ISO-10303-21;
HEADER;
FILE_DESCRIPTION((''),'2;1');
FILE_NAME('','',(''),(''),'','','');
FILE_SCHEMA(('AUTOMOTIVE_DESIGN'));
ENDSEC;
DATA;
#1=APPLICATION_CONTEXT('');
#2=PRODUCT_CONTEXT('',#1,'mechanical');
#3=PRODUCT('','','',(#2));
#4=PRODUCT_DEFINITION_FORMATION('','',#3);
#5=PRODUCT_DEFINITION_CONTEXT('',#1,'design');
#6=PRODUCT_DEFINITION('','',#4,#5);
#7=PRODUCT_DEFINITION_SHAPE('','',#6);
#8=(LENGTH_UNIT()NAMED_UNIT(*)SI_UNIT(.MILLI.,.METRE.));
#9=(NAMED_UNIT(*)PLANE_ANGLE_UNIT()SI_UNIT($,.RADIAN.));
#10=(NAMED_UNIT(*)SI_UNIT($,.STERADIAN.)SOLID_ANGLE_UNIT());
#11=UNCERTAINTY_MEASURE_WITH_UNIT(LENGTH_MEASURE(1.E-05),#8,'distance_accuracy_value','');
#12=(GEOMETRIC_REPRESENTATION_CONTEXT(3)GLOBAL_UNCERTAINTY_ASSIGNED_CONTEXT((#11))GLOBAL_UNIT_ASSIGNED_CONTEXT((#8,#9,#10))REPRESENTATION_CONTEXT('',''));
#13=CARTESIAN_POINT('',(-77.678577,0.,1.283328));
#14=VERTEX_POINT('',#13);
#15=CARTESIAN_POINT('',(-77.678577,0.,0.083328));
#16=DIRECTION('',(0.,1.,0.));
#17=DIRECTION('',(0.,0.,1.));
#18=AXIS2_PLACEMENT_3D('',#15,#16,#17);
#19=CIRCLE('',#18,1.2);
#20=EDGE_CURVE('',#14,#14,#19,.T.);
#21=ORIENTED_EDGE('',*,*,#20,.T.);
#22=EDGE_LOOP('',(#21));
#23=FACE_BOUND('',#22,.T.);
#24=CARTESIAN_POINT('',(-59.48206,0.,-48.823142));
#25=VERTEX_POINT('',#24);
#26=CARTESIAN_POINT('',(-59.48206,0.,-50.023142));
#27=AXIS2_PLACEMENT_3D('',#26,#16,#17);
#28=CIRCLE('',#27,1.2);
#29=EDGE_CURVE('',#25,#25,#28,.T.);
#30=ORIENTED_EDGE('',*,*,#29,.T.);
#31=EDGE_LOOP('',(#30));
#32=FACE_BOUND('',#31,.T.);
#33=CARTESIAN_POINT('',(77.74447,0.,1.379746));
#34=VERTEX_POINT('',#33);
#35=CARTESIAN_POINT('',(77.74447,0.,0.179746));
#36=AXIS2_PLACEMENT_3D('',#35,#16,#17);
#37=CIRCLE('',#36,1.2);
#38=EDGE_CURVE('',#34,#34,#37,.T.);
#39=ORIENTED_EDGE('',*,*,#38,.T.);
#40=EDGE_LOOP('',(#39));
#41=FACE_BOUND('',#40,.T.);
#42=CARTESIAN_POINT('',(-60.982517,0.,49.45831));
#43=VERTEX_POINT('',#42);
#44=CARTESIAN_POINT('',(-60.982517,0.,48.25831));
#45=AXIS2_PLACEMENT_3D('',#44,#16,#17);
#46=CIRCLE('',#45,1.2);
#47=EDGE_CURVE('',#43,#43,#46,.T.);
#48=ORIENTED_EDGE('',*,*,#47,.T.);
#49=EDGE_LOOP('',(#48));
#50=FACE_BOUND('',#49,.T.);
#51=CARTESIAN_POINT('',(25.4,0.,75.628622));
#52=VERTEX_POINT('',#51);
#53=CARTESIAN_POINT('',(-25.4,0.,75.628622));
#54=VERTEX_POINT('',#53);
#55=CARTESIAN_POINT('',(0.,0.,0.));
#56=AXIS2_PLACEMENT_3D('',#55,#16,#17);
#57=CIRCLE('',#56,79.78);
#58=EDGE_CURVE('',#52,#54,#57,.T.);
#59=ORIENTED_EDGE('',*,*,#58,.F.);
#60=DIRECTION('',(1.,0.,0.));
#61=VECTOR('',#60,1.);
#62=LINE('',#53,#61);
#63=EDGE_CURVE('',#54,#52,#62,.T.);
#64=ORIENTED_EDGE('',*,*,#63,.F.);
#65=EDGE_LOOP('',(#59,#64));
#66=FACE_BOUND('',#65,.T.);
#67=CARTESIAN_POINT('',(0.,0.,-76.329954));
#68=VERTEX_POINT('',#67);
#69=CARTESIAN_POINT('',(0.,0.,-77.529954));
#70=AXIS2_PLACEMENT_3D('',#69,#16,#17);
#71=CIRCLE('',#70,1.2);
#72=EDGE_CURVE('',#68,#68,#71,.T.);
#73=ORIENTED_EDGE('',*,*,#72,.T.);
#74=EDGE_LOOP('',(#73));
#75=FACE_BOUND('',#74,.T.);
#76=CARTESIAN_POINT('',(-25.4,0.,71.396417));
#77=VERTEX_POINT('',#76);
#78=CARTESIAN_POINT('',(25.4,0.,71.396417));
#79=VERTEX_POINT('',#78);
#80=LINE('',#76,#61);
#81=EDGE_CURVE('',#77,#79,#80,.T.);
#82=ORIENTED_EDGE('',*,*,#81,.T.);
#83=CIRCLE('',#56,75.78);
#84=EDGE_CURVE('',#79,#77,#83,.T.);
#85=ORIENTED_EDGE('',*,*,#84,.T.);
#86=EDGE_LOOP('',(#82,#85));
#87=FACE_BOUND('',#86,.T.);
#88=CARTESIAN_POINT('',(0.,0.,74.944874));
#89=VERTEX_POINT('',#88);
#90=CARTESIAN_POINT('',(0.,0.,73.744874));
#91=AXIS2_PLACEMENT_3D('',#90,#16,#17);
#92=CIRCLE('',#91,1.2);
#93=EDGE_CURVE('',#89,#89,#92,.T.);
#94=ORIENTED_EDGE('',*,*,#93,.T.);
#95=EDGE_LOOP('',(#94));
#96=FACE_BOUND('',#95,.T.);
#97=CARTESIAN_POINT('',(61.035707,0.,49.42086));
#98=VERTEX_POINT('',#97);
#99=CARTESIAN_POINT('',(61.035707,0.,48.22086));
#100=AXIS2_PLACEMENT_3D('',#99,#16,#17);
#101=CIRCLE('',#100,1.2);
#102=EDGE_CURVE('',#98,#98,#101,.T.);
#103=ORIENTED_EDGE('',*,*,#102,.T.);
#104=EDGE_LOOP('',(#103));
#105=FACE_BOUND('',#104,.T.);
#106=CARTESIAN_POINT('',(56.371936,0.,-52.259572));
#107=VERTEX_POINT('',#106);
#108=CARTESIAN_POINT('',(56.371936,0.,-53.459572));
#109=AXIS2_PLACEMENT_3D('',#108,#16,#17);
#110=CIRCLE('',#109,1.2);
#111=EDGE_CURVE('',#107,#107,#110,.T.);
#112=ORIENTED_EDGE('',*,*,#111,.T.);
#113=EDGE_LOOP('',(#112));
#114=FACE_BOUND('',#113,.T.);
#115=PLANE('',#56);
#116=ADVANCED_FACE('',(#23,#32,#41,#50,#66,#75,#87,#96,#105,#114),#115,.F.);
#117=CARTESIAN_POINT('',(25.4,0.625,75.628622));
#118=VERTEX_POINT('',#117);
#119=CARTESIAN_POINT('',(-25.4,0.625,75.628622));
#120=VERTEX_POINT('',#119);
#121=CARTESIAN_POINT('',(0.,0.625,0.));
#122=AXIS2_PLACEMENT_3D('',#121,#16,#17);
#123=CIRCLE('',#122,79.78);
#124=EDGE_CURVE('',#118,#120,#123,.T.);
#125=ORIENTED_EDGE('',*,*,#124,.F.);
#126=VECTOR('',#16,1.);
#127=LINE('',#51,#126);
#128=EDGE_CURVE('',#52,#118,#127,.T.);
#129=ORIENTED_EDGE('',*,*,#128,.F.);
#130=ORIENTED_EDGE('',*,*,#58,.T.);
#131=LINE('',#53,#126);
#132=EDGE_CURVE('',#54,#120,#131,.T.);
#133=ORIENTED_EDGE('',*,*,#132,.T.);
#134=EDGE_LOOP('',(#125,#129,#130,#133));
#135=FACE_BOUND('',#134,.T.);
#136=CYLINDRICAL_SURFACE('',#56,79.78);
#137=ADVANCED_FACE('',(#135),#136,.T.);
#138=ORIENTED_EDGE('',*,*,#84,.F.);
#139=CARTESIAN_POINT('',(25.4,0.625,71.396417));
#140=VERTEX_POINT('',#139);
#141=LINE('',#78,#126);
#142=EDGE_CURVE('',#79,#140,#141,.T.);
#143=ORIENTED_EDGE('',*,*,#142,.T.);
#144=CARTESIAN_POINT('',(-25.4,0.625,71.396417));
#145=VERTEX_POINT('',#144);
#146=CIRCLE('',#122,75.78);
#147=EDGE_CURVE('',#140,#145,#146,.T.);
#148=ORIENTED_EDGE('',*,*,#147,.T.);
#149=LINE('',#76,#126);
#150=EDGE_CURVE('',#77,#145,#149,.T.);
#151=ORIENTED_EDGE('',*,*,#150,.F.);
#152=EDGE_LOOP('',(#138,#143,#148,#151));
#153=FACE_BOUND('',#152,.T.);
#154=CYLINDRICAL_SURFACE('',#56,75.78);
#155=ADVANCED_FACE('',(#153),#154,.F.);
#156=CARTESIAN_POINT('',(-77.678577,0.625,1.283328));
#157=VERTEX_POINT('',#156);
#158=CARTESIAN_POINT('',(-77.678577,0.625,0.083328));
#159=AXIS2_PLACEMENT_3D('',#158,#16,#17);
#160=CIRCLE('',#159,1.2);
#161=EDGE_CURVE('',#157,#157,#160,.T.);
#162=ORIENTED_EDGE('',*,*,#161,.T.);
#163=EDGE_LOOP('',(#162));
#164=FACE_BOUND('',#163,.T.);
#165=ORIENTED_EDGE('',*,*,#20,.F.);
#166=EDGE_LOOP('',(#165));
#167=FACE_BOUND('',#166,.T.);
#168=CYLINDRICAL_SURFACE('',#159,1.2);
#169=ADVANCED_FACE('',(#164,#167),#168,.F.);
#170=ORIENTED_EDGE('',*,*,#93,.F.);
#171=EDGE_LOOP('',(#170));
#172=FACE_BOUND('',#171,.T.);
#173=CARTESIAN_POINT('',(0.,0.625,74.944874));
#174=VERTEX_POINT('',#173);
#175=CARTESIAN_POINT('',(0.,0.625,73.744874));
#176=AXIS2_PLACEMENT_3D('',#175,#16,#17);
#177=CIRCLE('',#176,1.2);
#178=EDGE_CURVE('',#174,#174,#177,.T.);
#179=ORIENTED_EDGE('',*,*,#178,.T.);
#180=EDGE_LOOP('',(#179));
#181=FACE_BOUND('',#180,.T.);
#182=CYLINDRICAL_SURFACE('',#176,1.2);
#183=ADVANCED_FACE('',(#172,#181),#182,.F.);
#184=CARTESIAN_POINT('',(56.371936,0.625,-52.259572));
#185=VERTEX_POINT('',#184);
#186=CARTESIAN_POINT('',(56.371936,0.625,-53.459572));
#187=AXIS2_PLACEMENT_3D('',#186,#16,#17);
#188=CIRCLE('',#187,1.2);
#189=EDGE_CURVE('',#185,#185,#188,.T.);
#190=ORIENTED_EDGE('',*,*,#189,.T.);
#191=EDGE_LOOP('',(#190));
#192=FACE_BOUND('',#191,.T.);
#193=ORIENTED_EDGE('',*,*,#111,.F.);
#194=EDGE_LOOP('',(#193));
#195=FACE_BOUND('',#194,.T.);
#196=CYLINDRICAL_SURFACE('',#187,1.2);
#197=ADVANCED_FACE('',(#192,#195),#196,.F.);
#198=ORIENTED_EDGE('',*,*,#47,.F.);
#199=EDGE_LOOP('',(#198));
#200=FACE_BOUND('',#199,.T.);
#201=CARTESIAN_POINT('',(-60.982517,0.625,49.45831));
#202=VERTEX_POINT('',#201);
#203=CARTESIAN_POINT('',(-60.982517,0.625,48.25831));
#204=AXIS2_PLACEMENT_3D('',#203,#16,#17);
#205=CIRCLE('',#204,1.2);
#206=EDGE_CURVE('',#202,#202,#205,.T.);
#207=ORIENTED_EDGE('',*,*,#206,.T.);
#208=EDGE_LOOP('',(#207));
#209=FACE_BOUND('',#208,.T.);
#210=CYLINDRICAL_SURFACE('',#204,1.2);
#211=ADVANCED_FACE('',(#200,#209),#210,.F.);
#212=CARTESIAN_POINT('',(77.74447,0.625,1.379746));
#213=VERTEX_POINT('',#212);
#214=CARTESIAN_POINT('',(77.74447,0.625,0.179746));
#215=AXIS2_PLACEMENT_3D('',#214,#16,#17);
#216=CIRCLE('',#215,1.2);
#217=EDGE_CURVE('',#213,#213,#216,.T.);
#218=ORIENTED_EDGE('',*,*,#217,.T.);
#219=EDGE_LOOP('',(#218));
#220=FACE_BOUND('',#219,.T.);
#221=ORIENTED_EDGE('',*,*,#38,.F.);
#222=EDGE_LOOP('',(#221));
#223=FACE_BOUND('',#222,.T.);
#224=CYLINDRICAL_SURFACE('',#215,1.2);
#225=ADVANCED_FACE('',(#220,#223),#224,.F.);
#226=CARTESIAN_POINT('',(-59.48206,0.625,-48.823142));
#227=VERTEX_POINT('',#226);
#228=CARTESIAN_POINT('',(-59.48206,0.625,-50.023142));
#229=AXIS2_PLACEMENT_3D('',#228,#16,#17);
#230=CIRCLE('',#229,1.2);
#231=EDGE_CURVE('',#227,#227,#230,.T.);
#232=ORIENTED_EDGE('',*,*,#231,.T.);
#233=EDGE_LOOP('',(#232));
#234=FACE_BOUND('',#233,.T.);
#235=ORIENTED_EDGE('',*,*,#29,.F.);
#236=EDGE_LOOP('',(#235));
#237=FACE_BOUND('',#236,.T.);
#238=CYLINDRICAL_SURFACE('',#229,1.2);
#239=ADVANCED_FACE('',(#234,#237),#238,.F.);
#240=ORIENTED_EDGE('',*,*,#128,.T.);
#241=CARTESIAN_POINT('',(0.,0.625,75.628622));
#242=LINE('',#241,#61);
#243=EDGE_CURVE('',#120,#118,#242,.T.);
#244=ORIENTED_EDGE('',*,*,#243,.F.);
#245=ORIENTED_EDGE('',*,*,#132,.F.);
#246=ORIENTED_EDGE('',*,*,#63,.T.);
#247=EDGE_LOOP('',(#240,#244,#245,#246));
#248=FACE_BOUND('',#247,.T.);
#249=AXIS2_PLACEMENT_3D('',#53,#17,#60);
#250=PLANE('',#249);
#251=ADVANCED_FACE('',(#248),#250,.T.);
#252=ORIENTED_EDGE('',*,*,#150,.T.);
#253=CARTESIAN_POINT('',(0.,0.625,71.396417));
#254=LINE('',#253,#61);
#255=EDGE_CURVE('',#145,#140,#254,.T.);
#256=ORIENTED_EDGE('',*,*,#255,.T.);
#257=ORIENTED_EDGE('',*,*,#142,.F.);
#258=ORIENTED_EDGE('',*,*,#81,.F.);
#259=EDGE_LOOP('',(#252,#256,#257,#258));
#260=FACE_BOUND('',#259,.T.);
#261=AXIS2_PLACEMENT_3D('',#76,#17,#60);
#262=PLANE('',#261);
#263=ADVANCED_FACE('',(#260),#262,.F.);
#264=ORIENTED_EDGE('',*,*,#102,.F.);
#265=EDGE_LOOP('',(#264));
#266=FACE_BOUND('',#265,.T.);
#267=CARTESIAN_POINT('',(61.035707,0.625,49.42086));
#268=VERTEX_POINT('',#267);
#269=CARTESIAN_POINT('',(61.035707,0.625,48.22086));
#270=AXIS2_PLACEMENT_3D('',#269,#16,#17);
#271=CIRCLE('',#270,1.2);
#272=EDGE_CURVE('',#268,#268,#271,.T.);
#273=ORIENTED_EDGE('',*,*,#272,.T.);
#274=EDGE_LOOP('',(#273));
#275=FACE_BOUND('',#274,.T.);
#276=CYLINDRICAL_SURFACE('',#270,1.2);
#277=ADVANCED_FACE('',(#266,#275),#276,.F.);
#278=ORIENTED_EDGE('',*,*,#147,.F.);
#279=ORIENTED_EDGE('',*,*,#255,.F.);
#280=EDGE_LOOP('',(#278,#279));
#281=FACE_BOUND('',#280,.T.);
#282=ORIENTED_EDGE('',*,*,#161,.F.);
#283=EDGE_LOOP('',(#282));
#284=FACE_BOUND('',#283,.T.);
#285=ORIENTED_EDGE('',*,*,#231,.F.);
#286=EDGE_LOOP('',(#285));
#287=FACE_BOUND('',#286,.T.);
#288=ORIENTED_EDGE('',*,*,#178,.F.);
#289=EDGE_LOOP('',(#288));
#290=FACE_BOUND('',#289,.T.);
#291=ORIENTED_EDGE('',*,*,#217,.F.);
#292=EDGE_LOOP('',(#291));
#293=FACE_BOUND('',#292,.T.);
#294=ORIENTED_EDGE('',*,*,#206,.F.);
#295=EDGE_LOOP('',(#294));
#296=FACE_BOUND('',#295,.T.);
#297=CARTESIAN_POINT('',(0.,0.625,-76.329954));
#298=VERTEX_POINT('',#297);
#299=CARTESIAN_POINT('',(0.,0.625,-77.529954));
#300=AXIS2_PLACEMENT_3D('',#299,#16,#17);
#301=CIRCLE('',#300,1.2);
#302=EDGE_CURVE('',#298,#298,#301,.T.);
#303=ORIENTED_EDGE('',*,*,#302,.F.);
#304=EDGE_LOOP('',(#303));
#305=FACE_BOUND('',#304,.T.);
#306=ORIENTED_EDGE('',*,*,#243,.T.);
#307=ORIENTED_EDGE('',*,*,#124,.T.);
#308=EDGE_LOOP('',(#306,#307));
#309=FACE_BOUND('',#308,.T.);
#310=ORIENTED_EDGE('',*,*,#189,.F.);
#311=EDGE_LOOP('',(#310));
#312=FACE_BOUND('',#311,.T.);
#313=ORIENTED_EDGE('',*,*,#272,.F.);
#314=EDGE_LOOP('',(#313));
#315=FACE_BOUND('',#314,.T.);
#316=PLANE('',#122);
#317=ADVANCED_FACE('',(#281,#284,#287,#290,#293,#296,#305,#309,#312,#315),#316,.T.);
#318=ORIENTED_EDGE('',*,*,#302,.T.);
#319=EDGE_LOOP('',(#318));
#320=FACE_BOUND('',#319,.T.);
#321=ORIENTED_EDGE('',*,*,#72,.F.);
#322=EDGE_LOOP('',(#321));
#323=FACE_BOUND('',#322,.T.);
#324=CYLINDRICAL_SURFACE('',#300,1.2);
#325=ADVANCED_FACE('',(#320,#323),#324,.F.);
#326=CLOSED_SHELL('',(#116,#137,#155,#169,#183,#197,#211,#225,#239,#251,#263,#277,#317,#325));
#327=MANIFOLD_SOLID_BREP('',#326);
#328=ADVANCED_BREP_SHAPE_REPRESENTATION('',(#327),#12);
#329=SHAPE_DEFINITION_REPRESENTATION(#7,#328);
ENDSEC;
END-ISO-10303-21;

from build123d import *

# Parameters (mm, degrees)
THICKEN1_T1          = 0.625
M2_CLEARANCE_HOLE1_D = 2.4


with BuildPart() as body_1:
    # Sketch1 → Surface-Fill1: a flat surface bounded by the sketch
    with BuildSketch(Plane(origin=(0, 0, 0), x_dir=(1, 0, 0), z_dir=(0, 1, 0)), mode=Mode.PRIVATE) as surface_fill1_1_region:
        with BuildLine():
            Line((-25.4, -75.628621566), (25.4, -75.628621566))
            ThreePointArc((25.4, -75.628621566), (0, 79.78), (-25.4, -75.628621566))
        make_face()
        with BuildLine():
            Line((-25.4, -71.396417277), (25.4, -71.396417277))
            ThreePointArc((25.4, -71.396417277), (0, 75.78), (-25.4, -71.396417277))
        make_face(mode=Mode.SUBTRACT)
    surface_fill1_1 = surface_fill1_1_region.sketch.faces()[0]
    add(Solid.thicken(surface_fill1_1, THICKEN1_T1))

    # M2 Clearance Hole1 (through all)
    with Locations(Plane(origin=(0, 0.625, 0), x_dir=(1, 0, 0), z_dir=(0, 1, 0))):
        with Locations((0, 77.529954233), (0, -73.744874158), (77.744469628, -0.179745534), (-77.678576515, -0.083327834), (56.371935899, 53.45957237), (-59.482060021, 50.023142165), (61.035706748, -48.220860015), (-60.982517002, -48.258309848)):
            Hole(M2_CLEARANCE_HOLE1_D / 2)


solid = body_1.part
